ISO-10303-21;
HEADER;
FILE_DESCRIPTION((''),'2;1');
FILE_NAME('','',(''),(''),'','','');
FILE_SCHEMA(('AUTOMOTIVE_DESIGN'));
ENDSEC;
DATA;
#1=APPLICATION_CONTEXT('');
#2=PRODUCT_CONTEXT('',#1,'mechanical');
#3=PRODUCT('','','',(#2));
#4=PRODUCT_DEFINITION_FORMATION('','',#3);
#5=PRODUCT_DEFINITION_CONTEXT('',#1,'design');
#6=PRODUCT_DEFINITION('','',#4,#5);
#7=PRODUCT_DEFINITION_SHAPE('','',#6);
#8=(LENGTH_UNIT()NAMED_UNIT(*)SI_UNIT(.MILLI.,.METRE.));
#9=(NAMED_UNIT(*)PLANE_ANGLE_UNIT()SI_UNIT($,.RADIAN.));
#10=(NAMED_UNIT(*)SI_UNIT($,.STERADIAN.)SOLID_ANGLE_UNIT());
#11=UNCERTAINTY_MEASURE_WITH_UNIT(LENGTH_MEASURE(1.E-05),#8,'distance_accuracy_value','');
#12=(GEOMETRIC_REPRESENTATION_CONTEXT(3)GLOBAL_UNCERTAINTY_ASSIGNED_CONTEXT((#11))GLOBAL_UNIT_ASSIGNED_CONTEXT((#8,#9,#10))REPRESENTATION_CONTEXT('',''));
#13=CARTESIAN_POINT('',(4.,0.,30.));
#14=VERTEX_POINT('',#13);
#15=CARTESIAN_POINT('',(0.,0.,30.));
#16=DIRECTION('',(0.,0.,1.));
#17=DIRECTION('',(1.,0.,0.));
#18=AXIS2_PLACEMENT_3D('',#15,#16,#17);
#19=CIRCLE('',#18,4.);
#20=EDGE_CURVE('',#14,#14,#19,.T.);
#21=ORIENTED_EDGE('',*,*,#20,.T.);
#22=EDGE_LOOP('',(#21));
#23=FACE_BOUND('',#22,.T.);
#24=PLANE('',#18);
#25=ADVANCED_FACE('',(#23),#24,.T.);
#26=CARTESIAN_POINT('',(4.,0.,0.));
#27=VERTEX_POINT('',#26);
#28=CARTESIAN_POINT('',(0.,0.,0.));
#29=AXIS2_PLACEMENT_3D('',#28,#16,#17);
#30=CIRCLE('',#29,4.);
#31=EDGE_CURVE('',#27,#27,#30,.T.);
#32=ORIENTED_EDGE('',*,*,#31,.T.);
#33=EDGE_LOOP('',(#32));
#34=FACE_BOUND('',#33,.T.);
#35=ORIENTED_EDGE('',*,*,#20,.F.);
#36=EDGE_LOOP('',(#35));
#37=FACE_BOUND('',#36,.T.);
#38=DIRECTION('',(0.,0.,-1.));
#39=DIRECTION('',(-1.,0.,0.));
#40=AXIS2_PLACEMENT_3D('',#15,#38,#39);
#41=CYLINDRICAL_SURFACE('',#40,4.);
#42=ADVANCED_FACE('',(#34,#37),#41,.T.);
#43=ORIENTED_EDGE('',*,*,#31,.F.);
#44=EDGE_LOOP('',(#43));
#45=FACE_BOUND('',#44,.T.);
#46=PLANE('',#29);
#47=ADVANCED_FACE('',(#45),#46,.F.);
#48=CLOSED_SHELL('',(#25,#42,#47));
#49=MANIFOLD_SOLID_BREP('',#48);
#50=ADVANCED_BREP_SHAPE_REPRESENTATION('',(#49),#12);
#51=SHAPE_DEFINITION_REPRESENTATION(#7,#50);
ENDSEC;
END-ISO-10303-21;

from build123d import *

# Parameters (mm, degrees)
ESQUISSE1_R        = 4
BOSS_EXTRU_1_DEPTH = 30


with BuildPart() as part:
    # Esquisse1 → Boss.-Extru.1 (new body)
    with BuildSketch(Plane.XY):
        Circle(ESQUISSE1_R)
    extrude(amount=BOSS_EXTRU_1_DEPTH)


solid = part.part
